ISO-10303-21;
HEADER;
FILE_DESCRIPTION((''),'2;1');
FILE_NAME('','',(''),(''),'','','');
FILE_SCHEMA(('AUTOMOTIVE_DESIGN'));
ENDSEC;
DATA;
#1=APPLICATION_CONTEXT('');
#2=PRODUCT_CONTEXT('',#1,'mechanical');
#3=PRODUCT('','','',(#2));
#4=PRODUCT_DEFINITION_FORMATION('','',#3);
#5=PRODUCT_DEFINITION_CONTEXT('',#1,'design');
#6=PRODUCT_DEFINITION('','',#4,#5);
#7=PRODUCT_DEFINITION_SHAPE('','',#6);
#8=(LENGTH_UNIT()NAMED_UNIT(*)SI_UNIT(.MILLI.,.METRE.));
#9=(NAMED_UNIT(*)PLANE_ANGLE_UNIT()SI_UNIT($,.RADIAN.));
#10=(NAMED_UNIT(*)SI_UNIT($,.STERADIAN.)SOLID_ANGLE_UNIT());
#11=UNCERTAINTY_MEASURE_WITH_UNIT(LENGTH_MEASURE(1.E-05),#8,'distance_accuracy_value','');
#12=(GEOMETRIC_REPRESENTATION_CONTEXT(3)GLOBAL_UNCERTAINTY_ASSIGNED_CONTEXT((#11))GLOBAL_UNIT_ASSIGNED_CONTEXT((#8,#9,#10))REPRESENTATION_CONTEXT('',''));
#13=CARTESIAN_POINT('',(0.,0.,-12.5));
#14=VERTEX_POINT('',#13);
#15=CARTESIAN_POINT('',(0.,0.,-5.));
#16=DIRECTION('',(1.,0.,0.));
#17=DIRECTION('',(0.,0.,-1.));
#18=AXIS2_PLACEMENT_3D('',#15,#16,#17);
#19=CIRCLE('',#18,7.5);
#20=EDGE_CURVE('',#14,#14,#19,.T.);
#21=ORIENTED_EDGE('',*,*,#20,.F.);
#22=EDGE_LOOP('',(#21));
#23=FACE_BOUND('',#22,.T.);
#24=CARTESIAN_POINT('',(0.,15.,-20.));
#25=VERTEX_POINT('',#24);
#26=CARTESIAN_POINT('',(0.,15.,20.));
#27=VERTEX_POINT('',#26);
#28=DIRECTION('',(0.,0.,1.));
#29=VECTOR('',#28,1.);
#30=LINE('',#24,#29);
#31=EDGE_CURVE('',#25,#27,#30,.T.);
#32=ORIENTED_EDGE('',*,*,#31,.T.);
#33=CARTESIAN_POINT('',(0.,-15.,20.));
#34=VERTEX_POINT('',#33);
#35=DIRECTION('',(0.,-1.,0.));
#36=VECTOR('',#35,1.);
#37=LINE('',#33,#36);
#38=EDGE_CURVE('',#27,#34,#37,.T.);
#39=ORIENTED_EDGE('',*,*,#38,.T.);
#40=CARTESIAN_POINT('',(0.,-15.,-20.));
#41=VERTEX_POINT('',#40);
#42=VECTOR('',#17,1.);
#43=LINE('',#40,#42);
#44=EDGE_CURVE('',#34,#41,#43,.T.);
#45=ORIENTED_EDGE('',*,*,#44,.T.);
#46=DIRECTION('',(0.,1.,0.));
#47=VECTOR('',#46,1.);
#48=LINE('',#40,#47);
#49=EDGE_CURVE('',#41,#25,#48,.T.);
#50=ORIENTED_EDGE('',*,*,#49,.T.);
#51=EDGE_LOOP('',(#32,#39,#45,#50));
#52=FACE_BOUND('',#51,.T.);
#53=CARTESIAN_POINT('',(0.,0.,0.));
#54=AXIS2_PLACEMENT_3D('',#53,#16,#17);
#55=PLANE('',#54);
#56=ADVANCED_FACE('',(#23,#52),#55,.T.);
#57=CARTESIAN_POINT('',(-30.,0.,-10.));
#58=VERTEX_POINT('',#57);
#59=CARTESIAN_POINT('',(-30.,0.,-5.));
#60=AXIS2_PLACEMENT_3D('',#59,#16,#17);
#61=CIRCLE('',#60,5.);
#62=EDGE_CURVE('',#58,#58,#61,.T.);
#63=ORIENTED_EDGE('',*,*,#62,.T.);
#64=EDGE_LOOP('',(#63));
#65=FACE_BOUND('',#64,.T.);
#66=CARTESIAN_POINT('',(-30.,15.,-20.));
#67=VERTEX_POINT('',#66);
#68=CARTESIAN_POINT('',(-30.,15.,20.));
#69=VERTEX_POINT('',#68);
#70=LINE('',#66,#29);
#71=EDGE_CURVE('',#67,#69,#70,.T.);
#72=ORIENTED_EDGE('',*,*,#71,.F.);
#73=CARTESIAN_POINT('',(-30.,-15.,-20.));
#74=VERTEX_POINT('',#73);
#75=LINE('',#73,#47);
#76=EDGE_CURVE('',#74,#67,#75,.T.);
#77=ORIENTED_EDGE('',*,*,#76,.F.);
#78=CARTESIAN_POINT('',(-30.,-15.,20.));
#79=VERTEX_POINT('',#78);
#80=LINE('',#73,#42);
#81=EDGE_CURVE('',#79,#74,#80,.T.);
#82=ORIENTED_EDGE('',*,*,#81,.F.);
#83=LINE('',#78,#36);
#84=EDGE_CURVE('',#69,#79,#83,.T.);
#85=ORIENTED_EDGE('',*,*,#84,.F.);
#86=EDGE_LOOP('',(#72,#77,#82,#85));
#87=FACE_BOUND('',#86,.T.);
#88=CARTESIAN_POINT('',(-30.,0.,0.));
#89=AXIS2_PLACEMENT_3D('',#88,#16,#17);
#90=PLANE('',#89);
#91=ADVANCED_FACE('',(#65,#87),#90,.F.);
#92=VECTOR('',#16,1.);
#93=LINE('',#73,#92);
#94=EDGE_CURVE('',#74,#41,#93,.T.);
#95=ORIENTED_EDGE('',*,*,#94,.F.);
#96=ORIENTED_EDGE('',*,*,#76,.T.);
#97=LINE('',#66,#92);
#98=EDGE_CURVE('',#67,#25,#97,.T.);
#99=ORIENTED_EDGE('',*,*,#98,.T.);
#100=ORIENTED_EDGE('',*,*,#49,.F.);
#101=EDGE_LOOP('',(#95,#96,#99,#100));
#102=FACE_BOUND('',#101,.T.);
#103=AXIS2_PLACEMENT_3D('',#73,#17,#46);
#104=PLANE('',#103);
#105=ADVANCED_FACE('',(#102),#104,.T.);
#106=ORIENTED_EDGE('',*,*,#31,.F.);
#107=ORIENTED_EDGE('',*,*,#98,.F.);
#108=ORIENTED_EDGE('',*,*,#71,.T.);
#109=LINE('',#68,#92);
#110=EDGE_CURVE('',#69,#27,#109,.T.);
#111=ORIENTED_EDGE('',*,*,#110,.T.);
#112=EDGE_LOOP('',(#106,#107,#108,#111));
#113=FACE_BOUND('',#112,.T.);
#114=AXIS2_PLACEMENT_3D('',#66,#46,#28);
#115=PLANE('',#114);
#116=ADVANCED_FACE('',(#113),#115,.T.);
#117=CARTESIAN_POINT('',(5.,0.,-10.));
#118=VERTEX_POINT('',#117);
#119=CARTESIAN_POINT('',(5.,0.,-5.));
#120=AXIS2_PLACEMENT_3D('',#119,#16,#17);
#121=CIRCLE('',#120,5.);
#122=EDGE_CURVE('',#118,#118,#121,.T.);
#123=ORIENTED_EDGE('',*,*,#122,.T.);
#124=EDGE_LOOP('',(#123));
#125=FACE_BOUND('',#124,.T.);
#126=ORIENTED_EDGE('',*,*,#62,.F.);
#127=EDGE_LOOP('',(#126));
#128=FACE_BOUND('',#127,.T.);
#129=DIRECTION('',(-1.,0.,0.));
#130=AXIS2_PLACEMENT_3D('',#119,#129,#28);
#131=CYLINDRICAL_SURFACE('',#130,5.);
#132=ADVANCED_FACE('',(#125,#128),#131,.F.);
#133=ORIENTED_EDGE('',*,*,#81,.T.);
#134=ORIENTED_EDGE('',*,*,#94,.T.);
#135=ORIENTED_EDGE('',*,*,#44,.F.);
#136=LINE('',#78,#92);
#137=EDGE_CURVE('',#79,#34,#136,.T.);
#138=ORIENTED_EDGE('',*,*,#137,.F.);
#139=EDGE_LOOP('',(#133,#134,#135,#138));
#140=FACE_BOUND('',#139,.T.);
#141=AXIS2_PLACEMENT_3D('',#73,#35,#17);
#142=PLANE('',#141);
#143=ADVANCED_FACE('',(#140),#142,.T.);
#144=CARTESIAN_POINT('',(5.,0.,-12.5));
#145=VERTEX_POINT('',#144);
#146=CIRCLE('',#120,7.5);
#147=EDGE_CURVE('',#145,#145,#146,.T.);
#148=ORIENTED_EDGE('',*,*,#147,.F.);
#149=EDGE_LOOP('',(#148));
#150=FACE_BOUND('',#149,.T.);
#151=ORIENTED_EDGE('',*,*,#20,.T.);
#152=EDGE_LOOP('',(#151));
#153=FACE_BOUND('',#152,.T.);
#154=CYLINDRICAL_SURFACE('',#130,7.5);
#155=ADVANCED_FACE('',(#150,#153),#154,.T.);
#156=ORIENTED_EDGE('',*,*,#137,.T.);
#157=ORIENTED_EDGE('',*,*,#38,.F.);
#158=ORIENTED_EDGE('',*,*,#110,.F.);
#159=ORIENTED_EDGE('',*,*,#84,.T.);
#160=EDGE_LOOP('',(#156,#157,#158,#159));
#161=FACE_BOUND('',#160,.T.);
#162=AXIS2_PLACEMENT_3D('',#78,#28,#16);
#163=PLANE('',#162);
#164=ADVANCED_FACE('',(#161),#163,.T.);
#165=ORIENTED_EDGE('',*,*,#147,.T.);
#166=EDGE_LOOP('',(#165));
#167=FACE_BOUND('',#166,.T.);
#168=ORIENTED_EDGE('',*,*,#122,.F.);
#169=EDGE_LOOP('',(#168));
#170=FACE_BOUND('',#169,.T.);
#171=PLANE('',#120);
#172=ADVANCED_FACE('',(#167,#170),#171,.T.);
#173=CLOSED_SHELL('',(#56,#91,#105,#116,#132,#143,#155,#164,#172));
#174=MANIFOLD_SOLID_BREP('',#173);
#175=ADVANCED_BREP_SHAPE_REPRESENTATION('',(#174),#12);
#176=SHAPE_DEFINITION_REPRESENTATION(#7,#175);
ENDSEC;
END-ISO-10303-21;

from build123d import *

# Parameters (mm, degrees)
SKETCH_1_W          = 40
SKETCH_1_H          = 30
EXTRUDE_1_DEPTH     = 30
SKETCH_2_R          = 7.5
SKETCH_2_R_2        = 5
EXTRUDE_2_DEPTH     = 5
SKETCH_2_2_R        = 5
CUT_EXTRUDE_1_DEPTH = 40.05124838


with BuildPart() as part:
    # Эскиз1 → Бобышка-Вытянуть1 (new body)
    with BuildSketch(Plane(origin=(0, 0, 0), x_dir=(0, 0, -1), z_dir=(1, 0, 0))):
        Rectangle(SKETCH_1_W, SKETCH_1_H)
    extrude(amount=-EXTRUDE_1_DEPTH)

    # Эскиз2 → Бобышка-Вытянуть2 (add)
    with BuildSketch(Plane(origin=(0, 0, 0), x_dir=(0, 0, -1), z_dir=(1, 0, 0))):
        with Locations((5, 0)):
            Circle(SKETCH_2_R)
        with Locations((5, 0)):
            Circle(SKETCH_2_R_2, mode=Mode.SUBTRACT)
    extrude(amount=EXTRUDE_2_DEPTH)

    # Эскиз2<2> → Вырез-Вытянуть1 (cut, through all)
    with BuildSketch(Plane(origin=(0, 0, 0), x_dir=(0, 0, -1), z_dir=(1, 0, 0))):
        with Locations((5, 0)):
            Circle(SKETCH_2_2_R)
    extrude(amount=-CUT_EXTRUDE_1_DEPTH, mode=Mode.SUBTRACT)


solid = part.part
